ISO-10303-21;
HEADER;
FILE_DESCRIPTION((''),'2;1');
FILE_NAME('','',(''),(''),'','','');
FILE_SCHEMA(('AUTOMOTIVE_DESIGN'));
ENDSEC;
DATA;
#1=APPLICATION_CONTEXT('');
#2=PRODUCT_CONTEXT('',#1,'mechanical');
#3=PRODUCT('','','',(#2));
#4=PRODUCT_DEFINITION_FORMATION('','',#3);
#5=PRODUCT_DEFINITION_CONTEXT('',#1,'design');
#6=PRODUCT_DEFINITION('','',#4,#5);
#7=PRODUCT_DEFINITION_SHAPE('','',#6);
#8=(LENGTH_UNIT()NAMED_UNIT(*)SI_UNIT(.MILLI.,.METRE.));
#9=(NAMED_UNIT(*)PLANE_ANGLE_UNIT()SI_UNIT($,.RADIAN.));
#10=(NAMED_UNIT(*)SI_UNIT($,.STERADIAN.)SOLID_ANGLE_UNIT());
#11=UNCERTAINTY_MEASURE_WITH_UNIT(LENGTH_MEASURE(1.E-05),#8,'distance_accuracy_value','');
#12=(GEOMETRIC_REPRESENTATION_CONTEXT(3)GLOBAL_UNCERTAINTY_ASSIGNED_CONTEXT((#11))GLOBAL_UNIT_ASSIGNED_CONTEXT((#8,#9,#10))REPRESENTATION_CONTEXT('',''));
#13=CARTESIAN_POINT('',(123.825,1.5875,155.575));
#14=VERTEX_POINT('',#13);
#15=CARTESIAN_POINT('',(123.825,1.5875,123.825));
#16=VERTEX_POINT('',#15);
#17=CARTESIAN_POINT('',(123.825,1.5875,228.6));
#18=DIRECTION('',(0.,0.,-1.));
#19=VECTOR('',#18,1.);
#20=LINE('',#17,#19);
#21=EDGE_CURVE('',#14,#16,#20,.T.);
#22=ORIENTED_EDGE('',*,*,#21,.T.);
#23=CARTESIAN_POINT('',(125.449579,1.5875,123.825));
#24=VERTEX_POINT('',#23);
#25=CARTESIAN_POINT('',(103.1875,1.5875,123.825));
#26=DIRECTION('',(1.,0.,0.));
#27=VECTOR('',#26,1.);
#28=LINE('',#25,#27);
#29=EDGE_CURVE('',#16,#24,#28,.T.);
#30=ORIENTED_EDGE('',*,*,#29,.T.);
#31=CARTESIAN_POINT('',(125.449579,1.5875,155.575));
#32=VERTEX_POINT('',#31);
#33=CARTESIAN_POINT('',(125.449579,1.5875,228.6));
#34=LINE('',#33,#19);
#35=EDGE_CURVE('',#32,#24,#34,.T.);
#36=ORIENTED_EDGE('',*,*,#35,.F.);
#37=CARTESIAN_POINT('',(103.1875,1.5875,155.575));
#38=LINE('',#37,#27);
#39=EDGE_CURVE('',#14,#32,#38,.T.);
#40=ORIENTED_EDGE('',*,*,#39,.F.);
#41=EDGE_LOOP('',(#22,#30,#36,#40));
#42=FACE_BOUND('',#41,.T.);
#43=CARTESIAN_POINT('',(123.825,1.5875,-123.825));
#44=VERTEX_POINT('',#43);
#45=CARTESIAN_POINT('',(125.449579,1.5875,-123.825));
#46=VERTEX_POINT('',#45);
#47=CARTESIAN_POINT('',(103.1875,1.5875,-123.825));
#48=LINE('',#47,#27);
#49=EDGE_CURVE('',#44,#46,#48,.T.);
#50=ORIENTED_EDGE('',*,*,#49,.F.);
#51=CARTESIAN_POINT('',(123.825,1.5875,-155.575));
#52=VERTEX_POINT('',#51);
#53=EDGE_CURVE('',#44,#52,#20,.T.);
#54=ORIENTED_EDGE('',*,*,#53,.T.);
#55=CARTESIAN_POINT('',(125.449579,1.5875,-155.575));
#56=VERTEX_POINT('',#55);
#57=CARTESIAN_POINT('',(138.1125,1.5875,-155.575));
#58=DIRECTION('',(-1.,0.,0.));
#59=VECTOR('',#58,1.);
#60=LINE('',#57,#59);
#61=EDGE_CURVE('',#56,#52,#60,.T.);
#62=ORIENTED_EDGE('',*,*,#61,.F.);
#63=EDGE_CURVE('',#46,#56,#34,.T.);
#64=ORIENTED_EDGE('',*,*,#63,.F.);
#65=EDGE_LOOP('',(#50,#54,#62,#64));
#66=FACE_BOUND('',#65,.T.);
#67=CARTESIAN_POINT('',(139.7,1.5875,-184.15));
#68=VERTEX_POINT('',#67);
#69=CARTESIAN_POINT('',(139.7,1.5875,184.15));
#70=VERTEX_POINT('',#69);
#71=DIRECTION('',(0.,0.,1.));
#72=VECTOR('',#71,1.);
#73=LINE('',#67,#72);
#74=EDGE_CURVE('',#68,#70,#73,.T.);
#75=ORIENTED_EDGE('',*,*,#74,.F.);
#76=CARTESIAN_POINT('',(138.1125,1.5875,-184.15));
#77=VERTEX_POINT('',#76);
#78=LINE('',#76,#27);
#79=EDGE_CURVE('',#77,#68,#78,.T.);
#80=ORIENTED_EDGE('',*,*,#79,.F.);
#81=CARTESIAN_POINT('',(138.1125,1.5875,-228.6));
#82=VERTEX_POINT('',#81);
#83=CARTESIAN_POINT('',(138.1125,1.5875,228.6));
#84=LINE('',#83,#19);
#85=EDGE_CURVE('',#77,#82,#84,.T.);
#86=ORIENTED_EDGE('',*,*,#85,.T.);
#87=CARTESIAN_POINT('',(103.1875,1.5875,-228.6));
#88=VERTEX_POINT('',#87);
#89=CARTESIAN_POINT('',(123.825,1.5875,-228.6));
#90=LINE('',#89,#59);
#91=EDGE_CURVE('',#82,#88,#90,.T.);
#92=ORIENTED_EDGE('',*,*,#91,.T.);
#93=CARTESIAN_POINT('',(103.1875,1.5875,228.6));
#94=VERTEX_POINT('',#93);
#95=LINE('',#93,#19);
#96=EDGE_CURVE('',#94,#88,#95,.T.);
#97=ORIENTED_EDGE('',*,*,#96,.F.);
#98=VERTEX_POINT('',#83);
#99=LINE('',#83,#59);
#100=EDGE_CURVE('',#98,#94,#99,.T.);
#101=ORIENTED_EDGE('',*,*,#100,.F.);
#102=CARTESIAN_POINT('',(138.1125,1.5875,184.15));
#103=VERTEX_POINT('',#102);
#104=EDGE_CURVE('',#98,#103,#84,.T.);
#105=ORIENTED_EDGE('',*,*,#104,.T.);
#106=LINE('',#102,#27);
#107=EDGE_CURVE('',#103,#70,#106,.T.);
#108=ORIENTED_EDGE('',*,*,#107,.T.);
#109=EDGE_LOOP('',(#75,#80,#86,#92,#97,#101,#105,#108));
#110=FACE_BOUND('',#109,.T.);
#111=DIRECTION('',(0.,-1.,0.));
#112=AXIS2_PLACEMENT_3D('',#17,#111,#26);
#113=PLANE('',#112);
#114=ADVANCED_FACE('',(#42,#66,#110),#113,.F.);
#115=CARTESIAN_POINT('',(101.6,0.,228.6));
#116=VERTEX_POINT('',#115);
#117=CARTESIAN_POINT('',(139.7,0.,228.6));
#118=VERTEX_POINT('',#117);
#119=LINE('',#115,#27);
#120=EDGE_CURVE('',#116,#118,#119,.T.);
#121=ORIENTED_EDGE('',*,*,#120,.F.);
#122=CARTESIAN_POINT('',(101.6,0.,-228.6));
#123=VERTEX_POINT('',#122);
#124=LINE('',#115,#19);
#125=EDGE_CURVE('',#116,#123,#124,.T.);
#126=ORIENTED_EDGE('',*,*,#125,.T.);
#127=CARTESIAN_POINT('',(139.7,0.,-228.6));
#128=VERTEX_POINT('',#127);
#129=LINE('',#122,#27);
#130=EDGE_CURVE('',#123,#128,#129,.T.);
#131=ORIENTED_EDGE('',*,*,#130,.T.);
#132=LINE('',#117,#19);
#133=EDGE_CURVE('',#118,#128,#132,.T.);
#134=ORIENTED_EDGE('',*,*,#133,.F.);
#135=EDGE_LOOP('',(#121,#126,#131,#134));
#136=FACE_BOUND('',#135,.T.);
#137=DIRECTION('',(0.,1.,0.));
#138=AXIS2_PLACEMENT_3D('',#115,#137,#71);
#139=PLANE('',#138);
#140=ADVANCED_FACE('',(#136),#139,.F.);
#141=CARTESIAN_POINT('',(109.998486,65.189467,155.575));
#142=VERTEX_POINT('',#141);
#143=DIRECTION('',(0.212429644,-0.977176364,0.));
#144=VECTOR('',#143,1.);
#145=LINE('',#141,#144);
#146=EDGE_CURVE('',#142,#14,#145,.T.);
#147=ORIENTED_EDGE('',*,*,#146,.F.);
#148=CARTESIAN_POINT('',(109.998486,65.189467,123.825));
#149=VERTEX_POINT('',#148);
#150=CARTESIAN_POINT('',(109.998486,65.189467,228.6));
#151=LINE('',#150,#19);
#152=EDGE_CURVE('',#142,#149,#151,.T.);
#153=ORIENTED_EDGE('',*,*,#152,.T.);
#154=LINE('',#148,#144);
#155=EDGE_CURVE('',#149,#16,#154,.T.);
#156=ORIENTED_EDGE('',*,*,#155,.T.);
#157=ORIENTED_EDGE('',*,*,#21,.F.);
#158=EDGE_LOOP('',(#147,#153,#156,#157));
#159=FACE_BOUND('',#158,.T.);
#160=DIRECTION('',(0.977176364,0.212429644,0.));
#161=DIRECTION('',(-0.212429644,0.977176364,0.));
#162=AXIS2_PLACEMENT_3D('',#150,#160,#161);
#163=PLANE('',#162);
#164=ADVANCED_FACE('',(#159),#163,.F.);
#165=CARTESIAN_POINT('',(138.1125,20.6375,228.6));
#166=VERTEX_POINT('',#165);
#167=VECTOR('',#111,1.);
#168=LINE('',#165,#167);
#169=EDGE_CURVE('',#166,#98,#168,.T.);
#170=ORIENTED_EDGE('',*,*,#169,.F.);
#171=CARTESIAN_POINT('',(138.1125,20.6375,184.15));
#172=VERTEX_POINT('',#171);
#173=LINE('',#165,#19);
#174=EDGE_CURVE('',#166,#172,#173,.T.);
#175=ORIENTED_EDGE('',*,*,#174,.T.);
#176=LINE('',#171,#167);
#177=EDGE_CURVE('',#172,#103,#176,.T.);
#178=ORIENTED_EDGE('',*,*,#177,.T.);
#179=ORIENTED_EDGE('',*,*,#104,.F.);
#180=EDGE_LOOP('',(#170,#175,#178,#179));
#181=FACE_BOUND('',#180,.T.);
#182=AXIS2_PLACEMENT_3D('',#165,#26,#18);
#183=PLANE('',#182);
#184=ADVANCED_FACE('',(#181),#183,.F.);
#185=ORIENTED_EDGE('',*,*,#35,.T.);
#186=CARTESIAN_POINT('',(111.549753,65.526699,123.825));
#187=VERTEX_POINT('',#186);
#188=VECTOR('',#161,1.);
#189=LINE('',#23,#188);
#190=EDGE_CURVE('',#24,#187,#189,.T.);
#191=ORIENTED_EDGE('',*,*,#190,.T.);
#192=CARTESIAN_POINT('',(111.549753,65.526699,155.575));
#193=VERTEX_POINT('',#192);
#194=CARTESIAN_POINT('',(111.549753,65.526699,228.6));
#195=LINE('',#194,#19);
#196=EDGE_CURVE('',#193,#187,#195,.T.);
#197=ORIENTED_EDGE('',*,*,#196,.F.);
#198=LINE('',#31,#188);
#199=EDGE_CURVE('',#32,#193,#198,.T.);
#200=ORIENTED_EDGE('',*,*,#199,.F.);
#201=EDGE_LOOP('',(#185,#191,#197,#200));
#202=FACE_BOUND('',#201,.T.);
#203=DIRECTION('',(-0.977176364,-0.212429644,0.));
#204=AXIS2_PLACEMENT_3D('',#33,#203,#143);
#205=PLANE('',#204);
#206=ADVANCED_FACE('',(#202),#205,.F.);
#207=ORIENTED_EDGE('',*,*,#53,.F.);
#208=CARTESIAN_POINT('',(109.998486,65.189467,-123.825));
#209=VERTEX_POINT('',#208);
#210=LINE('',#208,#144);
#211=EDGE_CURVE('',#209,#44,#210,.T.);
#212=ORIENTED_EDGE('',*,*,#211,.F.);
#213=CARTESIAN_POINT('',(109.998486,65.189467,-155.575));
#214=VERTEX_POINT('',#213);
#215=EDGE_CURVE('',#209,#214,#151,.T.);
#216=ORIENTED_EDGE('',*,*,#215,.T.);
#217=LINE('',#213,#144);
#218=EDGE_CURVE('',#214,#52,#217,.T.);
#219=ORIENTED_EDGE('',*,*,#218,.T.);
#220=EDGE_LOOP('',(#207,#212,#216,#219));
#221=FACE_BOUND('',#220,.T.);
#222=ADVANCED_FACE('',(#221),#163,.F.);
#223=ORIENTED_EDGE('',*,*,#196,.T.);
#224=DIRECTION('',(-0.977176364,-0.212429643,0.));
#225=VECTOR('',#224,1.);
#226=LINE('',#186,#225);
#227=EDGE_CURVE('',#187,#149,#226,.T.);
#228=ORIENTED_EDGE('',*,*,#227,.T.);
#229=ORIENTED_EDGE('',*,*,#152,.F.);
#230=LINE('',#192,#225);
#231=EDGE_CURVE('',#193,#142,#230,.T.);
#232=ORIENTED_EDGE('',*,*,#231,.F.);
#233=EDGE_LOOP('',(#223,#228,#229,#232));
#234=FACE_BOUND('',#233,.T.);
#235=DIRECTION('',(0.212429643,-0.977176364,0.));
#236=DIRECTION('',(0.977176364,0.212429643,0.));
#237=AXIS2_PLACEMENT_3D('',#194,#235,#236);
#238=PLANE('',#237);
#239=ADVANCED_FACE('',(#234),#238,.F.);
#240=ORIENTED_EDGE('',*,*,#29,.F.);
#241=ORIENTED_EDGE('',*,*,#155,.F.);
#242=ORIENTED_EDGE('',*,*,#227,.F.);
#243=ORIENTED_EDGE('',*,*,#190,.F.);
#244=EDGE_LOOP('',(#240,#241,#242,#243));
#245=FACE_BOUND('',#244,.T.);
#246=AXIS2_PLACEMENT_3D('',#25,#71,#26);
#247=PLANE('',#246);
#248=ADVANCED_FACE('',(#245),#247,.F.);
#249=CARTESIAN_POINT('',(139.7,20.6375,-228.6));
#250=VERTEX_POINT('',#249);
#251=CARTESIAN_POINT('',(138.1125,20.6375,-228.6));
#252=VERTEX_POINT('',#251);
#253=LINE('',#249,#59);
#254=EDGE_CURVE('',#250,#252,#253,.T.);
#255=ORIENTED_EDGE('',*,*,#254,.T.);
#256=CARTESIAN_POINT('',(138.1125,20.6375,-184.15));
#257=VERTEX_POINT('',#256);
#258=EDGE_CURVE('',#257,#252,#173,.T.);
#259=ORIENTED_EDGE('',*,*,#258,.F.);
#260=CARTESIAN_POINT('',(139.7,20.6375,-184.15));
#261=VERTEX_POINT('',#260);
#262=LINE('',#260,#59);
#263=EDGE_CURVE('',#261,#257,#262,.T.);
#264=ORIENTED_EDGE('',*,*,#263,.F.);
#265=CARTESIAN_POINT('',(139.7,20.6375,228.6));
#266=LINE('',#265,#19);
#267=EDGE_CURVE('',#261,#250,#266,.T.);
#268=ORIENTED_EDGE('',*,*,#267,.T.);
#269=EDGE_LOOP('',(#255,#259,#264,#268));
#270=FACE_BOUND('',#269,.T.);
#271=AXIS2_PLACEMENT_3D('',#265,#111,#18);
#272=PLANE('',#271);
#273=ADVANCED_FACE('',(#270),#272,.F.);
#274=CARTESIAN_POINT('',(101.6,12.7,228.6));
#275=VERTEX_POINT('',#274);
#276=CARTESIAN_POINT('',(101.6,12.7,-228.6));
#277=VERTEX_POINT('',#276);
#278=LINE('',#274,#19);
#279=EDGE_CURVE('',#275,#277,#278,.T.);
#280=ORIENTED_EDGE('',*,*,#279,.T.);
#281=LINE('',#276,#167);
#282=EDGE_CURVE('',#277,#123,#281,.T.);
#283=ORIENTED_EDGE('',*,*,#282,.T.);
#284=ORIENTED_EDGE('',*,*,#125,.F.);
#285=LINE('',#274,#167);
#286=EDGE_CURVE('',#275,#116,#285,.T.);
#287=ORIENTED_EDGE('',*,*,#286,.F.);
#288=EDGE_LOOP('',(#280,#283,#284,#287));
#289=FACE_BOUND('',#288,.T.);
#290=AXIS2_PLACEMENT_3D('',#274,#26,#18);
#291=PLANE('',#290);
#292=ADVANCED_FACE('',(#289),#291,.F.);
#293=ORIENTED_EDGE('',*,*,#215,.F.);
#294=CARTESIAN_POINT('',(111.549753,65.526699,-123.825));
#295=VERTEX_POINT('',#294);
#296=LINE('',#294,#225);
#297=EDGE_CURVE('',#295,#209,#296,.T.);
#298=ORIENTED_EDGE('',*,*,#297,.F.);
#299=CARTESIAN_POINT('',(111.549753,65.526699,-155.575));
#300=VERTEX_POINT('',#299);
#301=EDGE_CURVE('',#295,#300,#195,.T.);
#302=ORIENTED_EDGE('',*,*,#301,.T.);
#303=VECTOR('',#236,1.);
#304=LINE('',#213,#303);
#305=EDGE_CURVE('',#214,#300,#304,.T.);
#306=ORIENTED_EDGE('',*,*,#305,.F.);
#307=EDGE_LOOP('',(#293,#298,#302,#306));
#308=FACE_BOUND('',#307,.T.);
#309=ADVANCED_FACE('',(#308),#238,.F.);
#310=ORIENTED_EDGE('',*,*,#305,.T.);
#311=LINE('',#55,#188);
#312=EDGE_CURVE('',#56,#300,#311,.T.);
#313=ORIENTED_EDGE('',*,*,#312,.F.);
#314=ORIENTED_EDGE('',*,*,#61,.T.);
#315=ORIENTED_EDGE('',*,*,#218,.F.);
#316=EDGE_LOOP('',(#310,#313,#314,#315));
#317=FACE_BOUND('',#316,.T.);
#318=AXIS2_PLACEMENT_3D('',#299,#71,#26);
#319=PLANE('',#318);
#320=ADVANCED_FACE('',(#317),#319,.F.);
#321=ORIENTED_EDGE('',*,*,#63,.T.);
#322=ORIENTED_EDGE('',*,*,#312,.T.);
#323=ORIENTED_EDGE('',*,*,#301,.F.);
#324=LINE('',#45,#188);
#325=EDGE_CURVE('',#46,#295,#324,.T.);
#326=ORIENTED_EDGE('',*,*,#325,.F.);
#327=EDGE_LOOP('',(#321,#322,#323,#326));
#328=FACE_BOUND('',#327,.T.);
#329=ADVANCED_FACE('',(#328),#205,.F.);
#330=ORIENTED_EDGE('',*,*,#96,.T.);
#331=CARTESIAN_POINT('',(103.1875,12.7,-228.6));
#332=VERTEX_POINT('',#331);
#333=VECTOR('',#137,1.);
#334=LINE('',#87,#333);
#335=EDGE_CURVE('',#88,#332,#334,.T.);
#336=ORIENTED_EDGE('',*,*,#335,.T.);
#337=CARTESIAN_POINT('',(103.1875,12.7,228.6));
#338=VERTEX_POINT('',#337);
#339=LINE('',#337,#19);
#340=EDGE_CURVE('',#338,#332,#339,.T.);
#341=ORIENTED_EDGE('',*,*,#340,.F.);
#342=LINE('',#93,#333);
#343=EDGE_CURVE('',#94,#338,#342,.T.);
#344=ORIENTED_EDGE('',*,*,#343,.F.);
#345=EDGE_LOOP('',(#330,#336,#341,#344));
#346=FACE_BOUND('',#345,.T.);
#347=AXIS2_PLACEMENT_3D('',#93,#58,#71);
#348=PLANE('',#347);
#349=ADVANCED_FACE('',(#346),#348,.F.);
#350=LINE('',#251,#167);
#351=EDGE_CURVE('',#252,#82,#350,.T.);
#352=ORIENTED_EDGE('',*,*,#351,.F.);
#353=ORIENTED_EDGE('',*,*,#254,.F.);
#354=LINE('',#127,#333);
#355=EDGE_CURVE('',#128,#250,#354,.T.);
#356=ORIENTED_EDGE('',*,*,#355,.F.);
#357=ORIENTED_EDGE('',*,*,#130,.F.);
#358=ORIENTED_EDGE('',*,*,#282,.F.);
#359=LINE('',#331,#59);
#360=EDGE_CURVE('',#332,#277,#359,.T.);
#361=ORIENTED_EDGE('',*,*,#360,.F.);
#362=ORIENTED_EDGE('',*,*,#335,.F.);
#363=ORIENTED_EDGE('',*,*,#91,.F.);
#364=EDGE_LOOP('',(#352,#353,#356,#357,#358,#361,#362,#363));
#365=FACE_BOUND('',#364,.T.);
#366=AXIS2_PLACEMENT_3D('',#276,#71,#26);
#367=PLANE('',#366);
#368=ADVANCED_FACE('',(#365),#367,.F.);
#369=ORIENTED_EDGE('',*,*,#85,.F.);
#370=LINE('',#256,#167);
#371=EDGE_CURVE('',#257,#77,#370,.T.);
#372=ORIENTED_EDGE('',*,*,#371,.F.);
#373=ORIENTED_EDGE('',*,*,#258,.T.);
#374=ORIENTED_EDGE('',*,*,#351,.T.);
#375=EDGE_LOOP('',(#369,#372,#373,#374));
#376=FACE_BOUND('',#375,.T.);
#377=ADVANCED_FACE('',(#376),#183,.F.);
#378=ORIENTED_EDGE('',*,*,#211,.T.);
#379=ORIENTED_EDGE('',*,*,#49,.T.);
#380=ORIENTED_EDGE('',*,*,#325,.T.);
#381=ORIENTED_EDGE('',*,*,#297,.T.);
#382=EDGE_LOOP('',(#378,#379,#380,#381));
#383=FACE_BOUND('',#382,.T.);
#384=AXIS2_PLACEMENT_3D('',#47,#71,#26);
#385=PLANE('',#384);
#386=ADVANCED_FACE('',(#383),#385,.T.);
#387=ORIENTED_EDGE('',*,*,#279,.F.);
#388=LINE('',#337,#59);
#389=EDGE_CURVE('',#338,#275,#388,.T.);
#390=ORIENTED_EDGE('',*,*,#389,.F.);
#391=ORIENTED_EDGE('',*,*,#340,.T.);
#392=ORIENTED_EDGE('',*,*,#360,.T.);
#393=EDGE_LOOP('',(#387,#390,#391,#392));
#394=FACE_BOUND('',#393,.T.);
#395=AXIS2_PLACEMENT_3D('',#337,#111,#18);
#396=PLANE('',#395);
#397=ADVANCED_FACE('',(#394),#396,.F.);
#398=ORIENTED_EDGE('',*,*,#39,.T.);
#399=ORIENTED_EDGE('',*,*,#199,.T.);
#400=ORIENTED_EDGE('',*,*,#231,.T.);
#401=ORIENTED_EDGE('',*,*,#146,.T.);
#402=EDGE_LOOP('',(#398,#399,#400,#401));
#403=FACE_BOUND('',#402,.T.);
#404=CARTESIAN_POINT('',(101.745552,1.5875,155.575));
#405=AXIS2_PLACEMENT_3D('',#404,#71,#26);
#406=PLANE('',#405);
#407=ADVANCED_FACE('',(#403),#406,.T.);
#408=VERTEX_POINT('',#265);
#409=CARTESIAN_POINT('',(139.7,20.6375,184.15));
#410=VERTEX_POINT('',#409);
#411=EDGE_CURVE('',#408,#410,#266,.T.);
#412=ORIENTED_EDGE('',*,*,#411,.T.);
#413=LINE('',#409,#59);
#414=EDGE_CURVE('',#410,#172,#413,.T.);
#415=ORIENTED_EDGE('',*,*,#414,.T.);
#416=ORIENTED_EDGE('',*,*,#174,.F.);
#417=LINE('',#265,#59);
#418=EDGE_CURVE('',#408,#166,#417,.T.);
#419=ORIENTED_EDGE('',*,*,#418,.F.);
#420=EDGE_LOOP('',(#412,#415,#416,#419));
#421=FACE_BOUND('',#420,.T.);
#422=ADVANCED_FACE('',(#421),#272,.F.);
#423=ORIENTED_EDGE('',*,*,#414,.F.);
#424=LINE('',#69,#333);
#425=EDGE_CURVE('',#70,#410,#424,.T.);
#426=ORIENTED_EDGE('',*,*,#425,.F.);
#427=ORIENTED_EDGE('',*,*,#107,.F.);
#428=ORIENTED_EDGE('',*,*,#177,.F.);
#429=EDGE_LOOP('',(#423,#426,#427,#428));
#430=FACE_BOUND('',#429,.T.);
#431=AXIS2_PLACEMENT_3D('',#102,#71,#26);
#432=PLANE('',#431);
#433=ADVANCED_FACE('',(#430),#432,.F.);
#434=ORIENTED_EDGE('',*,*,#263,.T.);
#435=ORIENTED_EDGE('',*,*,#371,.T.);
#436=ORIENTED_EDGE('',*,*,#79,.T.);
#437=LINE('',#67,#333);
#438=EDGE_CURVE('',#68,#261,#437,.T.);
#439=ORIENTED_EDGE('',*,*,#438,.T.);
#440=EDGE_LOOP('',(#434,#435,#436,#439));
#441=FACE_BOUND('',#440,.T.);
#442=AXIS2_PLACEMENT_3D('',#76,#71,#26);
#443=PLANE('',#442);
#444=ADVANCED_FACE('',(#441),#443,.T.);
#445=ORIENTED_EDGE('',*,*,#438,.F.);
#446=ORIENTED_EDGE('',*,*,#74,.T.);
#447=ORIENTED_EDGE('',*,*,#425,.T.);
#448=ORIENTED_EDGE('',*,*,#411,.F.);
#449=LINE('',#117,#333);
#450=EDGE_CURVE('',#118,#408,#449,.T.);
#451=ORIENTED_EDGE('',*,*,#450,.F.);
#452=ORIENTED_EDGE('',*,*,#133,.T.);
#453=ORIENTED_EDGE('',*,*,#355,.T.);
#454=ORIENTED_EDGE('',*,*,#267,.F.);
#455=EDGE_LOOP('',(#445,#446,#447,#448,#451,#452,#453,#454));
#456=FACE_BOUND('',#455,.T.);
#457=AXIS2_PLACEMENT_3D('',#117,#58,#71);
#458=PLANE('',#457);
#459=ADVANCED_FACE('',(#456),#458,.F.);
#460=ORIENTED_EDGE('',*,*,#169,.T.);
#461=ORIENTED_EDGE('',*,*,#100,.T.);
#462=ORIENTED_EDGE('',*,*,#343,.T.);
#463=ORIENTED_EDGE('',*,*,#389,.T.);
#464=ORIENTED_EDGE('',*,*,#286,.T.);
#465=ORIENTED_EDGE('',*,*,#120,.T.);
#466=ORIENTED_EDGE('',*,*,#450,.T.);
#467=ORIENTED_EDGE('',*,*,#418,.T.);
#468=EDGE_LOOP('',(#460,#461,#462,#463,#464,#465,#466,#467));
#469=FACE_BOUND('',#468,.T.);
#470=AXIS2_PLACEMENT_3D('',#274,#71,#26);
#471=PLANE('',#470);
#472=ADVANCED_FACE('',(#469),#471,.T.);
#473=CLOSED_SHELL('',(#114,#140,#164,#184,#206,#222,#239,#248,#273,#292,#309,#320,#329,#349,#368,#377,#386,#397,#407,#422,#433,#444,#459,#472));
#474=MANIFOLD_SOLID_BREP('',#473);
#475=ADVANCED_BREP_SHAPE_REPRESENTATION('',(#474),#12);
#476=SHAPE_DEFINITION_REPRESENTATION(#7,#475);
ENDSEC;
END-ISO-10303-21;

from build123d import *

# Parameters (mm, degrees)
EXTRUDE1_DEPTH     = 228.6
CUT_EXTRUDE1_DEPTH = 123.825
CUT_EXTRUDE2_DEPTH = 73.025
CUT_EXTRUDE3_DEPTH = 73.025
SKETCH6_W          = 1.5875
SKETCH6_H          = 19.05
CUT_EXTRUDE4_DEPTH = 184.15


with BuildPart() as part:
    # Sketch2 → Extrude1 (new body, symmetric)
    with BuildSketch(Plane.XY):
        Polygon((101.6, 12.7), (101.6, 0), (139.7, 0), (139.7, 20.6375), (138.1125, 20.6375), (138.1125, 1.5875), (125.449578796, 1.5875), (111.549753001, 65.526698647), (109.998485525, 65.189466588), (123.825, 1.5875), (103.1875, 1.5875), (103.1875, 12.7), align=None)
    extrude(amount=EXTRUDE1_DEPTH, both=True)

    # Sketch3 → Cut-Extrude1 (cut, symmetric)
    with BuildSketch(Plane.XY):
        Polygon((103.1875, 1.5875), (138.1125, 1.5875), (138.1125, 20.6375), (111.549753001, 65.526698647), (109.998485525, 65.189466588), (103.1875, 12.7), align=None)
    extrude(amount=CUT_EXTRUDE1_DEPTH, both=True, mode=Mode.SUBTRACT)

    # Sketch4 → Cut-Extrude2 (cut)
    with BuildSketch(Plane.XY.offset(228.6)):
        Polygon((103.1875, 12.7), (103.1875, 1.5875), (138.1125, 1.5875), (138.1125, 20.6375), (111.549753001, 65.526698647), (109.998485525, 65.189466588), align=None)
    extrude(amount=-CUT_EXTRUDE2_DEPTH, mode=Mode.SUBTRACT)

    # Sketch5 → Cut-Extrude3 (cut)
    with BuildSketch(Plane(origin=(0, 0, -228.6), x_dir=(-1, 0, 0), z_dir=(0, 0, -1))):
        Polygon((-138.1125, 20.6375), (-138.1125, 1.5875), (-103.1875, 1.5875), (-103.1875, 12.7), (-109.998485525, 65.189466588), (-111.549753001, 65.526698647), align=None)
    extrude(amount=-CUT_EXTRUDE3_DEPTH, mode=Mode.SUBTRACT)

    # Sketch6 → Cut-Extrude4 (cut, symmetric)
    with BuildSketch(Plane.XY):
        with Locations((138.90625, 11.1125)):
            Rectangle(SKETCH6_W, SKETCH6_H)
    extrude(amount=CUT_EXTRUDE4_DEPTH, both=True, mode=Mode.SUBTRACT)


solid = part.part
